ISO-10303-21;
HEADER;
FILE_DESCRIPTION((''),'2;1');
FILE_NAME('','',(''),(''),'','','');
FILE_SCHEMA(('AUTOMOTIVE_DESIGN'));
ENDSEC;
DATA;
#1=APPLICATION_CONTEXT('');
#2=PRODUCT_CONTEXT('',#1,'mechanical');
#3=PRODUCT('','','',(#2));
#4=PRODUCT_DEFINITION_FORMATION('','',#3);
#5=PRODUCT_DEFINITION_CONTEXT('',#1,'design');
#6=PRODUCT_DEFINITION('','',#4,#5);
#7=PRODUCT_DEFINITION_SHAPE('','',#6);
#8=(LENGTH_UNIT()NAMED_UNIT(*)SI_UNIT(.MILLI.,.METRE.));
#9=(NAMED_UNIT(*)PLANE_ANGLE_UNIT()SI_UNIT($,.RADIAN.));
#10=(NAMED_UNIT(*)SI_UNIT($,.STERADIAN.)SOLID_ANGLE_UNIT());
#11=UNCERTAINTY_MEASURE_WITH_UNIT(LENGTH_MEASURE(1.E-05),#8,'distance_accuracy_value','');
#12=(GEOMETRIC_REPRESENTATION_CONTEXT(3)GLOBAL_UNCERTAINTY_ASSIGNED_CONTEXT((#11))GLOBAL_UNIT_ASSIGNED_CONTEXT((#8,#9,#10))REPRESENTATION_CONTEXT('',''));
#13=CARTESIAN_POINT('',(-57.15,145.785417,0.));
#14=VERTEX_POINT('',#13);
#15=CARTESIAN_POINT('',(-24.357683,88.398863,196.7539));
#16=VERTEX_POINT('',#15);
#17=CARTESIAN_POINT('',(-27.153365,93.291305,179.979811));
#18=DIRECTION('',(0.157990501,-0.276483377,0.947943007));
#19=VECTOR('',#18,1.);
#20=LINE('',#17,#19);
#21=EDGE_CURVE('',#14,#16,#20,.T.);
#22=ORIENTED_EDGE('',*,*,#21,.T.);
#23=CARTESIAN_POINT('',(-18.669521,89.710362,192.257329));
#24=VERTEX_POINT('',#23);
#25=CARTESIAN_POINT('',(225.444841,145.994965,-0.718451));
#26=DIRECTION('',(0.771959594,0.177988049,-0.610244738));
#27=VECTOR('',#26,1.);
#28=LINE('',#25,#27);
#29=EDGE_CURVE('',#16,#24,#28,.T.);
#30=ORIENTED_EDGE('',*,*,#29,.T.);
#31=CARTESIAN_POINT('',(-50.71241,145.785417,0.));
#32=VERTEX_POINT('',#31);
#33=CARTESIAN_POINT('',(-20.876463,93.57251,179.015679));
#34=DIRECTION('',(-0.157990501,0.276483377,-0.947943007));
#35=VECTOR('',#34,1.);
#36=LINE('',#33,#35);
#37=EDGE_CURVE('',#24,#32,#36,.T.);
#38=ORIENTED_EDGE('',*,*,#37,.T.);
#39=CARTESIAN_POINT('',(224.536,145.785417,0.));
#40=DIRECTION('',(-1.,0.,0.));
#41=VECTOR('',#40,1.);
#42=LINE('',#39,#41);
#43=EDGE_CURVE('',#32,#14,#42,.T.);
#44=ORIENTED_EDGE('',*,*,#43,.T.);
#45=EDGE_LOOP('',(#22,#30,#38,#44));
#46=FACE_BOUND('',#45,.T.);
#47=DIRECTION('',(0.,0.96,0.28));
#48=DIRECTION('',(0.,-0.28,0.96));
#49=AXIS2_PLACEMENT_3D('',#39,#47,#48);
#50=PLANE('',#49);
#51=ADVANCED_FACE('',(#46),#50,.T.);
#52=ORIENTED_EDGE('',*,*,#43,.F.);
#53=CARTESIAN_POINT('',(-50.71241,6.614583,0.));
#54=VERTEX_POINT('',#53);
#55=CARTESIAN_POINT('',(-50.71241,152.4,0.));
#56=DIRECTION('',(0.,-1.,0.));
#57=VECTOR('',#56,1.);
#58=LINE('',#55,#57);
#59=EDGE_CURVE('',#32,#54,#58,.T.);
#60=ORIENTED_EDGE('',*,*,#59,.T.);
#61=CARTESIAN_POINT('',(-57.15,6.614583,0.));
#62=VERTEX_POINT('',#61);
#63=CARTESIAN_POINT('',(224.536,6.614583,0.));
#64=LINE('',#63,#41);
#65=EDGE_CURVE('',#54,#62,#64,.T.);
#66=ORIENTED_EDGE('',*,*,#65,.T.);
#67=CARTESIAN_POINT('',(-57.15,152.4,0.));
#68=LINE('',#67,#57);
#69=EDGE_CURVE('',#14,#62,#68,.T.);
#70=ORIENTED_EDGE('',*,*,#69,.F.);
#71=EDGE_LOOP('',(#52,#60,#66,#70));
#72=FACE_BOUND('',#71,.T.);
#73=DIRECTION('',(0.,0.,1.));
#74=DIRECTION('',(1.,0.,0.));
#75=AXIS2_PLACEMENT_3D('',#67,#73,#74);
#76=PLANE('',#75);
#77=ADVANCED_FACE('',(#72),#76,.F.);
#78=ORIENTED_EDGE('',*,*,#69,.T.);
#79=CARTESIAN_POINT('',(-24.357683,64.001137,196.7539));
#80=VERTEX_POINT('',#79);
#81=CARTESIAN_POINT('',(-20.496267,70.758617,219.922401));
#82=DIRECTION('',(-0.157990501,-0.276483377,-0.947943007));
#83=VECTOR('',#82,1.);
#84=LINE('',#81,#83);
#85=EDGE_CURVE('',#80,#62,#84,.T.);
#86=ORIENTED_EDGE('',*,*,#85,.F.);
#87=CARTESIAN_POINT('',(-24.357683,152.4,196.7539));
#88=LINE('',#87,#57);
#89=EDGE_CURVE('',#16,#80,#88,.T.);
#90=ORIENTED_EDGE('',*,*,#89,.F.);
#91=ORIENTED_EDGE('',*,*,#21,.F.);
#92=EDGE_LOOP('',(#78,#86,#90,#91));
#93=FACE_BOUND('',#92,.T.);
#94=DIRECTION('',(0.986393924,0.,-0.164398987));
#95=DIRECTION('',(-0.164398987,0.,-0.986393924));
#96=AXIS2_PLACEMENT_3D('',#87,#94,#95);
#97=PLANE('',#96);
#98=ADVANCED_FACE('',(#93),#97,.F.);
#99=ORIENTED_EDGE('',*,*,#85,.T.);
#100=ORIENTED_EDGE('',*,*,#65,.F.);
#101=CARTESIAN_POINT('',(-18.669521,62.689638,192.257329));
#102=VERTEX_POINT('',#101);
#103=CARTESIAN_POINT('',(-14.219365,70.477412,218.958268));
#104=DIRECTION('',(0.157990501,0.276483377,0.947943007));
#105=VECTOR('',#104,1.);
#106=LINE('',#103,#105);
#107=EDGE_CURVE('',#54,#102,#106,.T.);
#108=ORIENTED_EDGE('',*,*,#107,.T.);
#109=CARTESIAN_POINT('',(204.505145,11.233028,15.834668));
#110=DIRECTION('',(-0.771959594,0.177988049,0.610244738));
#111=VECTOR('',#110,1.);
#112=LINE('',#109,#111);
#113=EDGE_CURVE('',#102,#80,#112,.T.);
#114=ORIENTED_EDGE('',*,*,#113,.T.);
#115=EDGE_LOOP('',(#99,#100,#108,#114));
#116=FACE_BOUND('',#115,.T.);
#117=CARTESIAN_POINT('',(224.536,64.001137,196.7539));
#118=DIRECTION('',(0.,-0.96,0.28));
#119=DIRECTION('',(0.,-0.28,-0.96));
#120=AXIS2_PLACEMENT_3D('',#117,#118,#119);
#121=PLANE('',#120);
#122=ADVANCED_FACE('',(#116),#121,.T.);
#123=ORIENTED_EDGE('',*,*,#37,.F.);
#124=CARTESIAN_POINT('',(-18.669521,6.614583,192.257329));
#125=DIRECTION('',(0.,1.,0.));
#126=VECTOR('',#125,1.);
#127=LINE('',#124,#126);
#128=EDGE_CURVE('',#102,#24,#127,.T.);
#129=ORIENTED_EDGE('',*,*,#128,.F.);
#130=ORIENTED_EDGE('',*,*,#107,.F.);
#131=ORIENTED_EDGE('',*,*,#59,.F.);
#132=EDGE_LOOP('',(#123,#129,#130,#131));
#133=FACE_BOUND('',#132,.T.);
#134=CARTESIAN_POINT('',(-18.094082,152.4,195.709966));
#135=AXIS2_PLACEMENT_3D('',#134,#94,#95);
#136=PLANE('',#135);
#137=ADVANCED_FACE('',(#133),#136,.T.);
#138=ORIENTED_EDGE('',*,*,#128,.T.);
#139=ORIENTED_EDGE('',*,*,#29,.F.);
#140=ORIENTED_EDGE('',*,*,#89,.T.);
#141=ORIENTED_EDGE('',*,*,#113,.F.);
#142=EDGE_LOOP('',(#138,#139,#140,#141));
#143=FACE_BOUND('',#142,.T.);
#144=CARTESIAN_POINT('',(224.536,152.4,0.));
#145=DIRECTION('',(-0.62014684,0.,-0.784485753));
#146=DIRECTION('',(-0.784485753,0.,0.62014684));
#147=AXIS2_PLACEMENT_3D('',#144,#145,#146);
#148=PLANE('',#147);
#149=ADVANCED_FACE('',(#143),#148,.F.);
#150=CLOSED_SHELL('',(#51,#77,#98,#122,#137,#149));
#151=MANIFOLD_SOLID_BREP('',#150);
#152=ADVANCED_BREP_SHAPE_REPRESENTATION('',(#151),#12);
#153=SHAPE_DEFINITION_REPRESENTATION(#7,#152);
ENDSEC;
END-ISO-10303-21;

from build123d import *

# Parameters (mm, degrees)
BOSS_EXTRUDE1_DEPTH = 152.4
SKETCH3_OUTSIDE_W   = 273.93
SKETCH3_OUTSIDE_H   = 229.576
CUT_EXTRUDE2_DEPTH  = 381.660734008
SHELL1_T            = -6.35
CUT_EXTRUDE3_DEPTH  = 381.660734008
CUT_EXTRUDE4_DEPTH  = 332.131034202


with BuildPart() as part:
    # Sketch2 → Boss-Extrude1 (new body)
    with BuildSketch(Plane(origin=(0, 0, 0), x_dir=(1, 0, 0), z_dir=(0, 1, 0))):
        Polygon((-57.15, 0), (224.536, 0), (-24.357683353, -196.753899884), align=None)
    extrude(amount=BOSS_EXTRUDE1_DEPTH)

    # Sketch3 outside → Cut-Extrude2 (cut, through all)
    with BuildSketch(Plane(origin=(-63.5, 0, 0), x_dir=(0, 0, -1), z_dir=(1, 0, 0))):
        with Locations((-98.377, 76.2)):
            Rectangle(SKETCH3_OUTSIDE_W, SKETCH3_OUTSIDE_H)
        Polygon((0, 152.4), (-152.4, 107.95), (-261.257142857, 76.2), (-152.4, 44.45), (0, 0), align=None, mode=Mode.SUBTRACT)
    extrude(amount=CUT_EXTRUDE2_DEPTH, mode=Mode.SUBTRACT)

    # Shell1
    shell1_openings = [part.faces().sort_by_distance(p)[0] for p in [
        (83.693, 76.2, 0),
    ]]
    offset(amount=SHELL1_T, openings=shell1_openings, kind=Kind.INTERSECTION)

    # Sketch4 → Cut-Extrude3 (cut, through all)
    with BuildSketch(Plane(origin=(-63.5, 0, 0), x_dir=(0, 0, -1), z_dir=(1, 0, 0))):
        Polygon((0, 152.4), (0, 145.785416667), (-196.753899884, 88.398862534), (-196.753899884, 95.013445867), align=None)
        Polygon((-196.753899884, 64.001137466), (0, 6.614583333), (0, 0), (-196.753899884, 57.386554133), align=None)
    extrude(amount=CUT_EXTRUDE3_DEPTH, mode=Mode.SUBTRACT)

    # Sketch5 → Cut-Extrude4 (cut, through all)
    with BuildSketch(Plane(origin=(0, 149.86, 0), x_dir=(1, 0, 0), z_dir=(0, 1, 0))):
        Polygon((-19.861548271, -185.105168304), (-18.669521453, -192.257329212), (344.317071882, -192.257329212), (317.879717865, 72.864270331), (-35.136715197, 43.31663937), align=None)
    extrude(amount=-CUT_EXTRUDE4_DEPTH, mode=Mode.SUBTRACT)


solid = part.part
